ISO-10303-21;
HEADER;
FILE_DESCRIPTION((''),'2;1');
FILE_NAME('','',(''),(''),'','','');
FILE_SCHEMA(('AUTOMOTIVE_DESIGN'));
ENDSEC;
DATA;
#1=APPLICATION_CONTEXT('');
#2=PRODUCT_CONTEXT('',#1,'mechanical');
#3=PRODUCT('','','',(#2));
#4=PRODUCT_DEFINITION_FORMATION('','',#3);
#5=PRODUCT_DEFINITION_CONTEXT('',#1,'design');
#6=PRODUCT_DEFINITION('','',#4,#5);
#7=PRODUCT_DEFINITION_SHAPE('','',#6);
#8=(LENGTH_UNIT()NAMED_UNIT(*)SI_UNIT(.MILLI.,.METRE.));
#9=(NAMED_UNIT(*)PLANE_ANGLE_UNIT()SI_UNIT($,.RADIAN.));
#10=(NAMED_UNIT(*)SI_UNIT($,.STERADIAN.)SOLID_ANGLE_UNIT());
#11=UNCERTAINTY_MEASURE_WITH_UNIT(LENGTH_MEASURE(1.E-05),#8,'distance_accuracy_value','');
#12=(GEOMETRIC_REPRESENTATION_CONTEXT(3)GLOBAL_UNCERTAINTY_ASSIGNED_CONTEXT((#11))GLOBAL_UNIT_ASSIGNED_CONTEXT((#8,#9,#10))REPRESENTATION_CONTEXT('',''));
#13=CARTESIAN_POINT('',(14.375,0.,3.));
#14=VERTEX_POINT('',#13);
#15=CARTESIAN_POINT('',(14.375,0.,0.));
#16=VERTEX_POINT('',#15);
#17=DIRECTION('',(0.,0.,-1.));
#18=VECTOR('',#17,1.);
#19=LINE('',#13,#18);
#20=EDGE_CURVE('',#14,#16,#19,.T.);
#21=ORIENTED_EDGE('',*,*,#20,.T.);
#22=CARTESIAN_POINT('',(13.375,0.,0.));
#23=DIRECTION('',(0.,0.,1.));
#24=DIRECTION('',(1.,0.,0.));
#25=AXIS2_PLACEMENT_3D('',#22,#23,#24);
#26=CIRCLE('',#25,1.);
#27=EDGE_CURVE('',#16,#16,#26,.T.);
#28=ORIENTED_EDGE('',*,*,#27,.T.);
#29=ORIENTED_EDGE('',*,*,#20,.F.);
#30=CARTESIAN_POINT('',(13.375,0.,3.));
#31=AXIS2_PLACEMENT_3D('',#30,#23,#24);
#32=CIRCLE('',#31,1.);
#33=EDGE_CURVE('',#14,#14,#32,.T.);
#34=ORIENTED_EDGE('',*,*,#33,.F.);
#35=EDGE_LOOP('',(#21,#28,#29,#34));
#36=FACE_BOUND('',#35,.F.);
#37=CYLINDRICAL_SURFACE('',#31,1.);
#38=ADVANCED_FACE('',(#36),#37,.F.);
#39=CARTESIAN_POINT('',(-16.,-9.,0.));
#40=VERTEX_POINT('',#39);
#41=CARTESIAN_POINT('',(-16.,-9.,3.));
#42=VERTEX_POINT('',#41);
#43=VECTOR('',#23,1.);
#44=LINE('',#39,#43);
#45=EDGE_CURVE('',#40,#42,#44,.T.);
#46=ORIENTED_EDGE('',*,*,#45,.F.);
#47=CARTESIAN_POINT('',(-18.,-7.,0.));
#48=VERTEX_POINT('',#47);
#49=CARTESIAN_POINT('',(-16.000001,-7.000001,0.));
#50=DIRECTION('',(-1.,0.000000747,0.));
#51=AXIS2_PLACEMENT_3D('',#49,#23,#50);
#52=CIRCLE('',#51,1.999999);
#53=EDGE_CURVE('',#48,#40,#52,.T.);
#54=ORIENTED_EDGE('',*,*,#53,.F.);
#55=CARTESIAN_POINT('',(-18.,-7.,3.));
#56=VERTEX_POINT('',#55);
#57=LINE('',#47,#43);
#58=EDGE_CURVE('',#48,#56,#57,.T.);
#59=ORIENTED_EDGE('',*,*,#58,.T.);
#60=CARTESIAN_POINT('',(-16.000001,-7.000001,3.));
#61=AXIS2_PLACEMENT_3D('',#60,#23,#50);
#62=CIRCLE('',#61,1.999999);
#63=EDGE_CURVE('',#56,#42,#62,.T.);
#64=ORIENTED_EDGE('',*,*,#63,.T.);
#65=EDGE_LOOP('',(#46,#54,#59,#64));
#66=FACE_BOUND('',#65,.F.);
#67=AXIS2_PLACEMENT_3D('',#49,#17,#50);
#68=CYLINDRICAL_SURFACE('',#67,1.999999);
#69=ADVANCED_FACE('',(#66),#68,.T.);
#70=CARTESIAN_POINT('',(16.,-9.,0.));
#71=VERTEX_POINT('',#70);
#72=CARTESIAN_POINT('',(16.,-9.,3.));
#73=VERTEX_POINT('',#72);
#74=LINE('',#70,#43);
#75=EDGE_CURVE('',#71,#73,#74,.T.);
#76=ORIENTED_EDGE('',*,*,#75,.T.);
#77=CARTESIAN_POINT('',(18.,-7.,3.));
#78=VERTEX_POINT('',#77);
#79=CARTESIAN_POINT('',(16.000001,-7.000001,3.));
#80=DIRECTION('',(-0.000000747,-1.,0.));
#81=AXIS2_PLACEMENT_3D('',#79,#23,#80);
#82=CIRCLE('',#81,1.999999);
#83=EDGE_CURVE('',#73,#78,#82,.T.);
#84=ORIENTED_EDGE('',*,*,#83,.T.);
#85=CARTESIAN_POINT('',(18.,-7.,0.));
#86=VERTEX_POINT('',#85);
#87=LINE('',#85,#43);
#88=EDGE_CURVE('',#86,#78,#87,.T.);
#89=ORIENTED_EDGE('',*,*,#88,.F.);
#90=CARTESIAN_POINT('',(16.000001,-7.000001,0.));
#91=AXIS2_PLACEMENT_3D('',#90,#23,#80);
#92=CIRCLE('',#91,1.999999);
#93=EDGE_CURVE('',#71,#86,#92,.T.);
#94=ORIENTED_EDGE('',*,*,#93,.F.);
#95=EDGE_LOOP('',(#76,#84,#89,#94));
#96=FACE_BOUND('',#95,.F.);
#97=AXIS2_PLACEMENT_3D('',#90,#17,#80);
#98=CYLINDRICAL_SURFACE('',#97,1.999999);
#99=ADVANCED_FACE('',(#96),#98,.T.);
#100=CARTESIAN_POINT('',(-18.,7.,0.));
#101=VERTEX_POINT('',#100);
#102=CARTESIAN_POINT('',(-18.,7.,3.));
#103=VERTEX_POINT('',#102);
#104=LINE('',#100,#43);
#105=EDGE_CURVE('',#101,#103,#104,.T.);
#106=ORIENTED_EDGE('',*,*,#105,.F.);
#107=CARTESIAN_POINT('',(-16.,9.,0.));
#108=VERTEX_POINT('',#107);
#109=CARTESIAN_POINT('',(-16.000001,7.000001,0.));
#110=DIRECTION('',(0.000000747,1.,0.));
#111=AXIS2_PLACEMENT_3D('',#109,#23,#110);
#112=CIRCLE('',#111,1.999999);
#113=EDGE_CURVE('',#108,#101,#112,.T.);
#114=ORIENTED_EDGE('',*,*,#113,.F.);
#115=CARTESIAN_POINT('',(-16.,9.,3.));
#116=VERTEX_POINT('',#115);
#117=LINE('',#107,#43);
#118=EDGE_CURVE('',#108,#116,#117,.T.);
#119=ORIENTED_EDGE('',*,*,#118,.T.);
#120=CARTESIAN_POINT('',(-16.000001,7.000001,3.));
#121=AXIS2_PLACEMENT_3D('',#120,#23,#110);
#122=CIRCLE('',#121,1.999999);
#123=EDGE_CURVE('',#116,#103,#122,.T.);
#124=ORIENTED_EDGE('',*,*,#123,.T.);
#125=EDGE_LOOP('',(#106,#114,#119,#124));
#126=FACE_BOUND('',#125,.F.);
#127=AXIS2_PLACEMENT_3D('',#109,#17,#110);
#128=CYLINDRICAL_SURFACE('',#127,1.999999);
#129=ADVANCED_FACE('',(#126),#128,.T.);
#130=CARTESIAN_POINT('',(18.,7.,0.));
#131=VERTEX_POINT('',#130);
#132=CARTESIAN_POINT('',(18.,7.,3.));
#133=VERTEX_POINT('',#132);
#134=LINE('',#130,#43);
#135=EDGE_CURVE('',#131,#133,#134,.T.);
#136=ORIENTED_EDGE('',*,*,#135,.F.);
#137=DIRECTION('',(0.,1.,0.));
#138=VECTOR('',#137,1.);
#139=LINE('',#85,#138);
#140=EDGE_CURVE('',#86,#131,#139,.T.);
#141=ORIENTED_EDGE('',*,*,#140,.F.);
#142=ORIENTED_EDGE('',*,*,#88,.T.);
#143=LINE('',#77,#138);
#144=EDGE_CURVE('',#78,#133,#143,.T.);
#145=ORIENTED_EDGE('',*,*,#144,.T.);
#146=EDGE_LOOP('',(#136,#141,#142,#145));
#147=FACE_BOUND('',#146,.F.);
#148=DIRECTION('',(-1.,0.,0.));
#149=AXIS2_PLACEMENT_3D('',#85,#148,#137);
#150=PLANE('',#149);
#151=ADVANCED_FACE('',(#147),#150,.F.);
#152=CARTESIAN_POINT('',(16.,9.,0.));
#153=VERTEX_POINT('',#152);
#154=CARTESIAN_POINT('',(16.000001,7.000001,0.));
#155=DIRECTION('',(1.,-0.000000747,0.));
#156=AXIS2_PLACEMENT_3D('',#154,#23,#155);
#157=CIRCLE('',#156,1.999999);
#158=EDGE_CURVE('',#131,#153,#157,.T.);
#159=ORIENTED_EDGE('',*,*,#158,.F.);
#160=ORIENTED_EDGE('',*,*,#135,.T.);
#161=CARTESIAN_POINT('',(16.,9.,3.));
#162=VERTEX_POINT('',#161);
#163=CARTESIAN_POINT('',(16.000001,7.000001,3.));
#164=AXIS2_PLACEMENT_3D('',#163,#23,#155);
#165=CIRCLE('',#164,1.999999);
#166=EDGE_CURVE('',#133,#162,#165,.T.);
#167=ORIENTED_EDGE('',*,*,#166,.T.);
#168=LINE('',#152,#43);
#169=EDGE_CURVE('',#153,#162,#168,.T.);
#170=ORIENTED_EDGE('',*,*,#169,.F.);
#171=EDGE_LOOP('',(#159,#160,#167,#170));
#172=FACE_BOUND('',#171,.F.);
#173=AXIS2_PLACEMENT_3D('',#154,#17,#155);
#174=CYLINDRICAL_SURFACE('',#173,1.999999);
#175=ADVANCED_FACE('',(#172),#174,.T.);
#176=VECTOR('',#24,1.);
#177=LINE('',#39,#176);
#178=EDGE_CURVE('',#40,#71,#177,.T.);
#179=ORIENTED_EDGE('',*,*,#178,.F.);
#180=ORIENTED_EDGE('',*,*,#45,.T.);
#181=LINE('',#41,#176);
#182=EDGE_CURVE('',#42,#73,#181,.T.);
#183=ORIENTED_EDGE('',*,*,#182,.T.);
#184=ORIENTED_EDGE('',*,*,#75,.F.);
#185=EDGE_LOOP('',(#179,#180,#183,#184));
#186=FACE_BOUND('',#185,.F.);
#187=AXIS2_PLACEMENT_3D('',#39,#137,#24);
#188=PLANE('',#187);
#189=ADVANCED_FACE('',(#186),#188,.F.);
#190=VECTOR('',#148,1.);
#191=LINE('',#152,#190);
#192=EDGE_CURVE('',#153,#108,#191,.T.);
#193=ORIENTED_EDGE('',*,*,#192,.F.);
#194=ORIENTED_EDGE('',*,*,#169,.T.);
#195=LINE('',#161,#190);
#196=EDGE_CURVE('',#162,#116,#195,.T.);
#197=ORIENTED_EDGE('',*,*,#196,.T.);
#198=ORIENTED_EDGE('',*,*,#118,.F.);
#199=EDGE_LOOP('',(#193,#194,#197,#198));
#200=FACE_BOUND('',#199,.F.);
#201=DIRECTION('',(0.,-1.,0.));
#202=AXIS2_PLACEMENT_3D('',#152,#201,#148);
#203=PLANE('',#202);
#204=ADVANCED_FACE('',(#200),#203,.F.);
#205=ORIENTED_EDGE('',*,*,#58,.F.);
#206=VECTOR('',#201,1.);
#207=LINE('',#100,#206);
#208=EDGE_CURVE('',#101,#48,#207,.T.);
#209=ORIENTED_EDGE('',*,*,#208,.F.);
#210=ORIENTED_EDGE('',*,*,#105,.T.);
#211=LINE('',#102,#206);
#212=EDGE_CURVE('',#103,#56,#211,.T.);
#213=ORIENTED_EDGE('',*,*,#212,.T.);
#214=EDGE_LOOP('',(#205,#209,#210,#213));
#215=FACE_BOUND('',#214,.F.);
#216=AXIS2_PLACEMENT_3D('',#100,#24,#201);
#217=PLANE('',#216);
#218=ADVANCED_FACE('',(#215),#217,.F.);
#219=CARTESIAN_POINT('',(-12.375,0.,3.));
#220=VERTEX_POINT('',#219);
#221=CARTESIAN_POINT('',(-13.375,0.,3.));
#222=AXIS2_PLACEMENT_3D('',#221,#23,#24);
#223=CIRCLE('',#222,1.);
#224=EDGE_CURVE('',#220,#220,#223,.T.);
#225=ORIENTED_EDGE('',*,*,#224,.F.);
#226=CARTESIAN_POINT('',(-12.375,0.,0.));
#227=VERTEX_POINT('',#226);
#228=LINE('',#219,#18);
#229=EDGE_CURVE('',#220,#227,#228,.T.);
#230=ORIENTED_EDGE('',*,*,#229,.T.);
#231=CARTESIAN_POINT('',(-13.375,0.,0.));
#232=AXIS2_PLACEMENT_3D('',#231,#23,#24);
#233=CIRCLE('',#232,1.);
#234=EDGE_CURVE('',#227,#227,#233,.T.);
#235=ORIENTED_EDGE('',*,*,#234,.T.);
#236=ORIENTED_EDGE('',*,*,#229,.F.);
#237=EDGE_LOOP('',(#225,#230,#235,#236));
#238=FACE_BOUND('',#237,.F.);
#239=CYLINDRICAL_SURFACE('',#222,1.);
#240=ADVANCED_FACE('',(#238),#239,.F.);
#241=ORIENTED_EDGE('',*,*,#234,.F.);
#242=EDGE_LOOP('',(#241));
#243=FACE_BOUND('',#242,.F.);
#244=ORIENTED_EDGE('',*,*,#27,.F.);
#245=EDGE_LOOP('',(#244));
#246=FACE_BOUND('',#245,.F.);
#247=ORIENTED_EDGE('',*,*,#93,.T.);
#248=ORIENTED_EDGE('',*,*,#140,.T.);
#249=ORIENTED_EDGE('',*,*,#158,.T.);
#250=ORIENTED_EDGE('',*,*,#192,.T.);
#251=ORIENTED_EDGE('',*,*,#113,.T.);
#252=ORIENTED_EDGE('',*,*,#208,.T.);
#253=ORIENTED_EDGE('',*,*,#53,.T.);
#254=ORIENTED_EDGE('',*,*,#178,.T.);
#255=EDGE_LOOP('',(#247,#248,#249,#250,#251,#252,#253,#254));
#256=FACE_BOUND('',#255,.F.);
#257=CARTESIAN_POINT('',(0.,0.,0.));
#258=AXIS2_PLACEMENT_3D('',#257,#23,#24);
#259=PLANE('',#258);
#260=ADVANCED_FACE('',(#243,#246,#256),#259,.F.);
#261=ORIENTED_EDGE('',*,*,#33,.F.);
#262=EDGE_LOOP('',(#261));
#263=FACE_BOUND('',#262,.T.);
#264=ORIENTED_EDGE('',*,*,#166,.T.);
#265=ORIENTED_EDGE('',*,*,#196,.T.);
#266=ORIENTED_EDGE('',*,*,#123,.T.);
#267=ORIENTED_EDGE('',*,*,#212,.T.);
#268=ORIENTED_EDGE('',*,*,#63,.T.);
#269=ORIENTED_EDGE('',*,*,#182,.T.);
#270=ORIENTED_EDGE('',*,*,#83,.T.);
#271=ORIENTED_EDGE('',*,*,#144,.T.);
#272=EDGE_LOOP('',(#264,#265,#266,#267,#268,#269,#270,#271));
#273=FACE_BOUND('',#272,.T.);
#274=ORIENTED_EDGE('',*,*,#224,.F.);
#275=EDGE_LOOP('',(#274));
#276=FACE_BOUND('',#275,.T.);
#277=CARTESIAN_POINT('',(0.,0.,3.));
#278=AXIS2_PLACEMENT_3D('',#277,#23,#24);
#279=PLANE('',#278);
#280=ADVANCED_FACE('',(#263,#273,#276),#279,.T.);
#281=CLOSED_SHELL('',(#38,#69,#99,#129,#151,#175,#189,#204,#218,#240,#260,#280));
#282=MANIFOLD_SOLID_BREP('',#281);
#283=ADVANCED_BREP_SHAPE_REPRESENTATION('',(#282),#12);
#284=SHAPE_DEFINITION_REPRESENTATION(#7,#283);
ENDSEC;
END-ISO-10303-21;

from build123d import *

# Parameters (mm, degrees)
F1_DEPTH = 3
F2_R     = 1
F3_DEPTH = 3


with BuildPart() as f1:
    # F0 (on Top) → F1 (new body)
    with BuildSketch(Plane.XY):
        with BuildLine():
            Line((-16, -9), (16, -9))
            ThreePointArc((16, -9), (17.414214, -8.414214), (18, -7))
            Line((18, -7), (18, 7))
            ThreePointArc((18, 7), (17.414214, 8.414214), (16, 9))
            Line((16, 9), (-16, 9))
            ThreePointArc((-16, 9), (-17.414214, 8.414214), (-18, 7))
            Line((-18, 7), (-18, -7))
            ThreePointArc((-18, -7), (-17.414214, -8.414214), (-16, -9))
        make_face()
    extrude(amount=F1_DEPTH)

    # F2 (on face) → F3 (cut, through all)
    with BuildSketch(Plane.XY.offset(3)):
        with Locations((13.375, 0)):
            Circle(F2_R)
        with Locations((-13.375, 0)):
            Circle(F2_R)
    extrude(amount=-F3_DEPTH, mode=Mode.SUBTRACT)


solid = f1.part
